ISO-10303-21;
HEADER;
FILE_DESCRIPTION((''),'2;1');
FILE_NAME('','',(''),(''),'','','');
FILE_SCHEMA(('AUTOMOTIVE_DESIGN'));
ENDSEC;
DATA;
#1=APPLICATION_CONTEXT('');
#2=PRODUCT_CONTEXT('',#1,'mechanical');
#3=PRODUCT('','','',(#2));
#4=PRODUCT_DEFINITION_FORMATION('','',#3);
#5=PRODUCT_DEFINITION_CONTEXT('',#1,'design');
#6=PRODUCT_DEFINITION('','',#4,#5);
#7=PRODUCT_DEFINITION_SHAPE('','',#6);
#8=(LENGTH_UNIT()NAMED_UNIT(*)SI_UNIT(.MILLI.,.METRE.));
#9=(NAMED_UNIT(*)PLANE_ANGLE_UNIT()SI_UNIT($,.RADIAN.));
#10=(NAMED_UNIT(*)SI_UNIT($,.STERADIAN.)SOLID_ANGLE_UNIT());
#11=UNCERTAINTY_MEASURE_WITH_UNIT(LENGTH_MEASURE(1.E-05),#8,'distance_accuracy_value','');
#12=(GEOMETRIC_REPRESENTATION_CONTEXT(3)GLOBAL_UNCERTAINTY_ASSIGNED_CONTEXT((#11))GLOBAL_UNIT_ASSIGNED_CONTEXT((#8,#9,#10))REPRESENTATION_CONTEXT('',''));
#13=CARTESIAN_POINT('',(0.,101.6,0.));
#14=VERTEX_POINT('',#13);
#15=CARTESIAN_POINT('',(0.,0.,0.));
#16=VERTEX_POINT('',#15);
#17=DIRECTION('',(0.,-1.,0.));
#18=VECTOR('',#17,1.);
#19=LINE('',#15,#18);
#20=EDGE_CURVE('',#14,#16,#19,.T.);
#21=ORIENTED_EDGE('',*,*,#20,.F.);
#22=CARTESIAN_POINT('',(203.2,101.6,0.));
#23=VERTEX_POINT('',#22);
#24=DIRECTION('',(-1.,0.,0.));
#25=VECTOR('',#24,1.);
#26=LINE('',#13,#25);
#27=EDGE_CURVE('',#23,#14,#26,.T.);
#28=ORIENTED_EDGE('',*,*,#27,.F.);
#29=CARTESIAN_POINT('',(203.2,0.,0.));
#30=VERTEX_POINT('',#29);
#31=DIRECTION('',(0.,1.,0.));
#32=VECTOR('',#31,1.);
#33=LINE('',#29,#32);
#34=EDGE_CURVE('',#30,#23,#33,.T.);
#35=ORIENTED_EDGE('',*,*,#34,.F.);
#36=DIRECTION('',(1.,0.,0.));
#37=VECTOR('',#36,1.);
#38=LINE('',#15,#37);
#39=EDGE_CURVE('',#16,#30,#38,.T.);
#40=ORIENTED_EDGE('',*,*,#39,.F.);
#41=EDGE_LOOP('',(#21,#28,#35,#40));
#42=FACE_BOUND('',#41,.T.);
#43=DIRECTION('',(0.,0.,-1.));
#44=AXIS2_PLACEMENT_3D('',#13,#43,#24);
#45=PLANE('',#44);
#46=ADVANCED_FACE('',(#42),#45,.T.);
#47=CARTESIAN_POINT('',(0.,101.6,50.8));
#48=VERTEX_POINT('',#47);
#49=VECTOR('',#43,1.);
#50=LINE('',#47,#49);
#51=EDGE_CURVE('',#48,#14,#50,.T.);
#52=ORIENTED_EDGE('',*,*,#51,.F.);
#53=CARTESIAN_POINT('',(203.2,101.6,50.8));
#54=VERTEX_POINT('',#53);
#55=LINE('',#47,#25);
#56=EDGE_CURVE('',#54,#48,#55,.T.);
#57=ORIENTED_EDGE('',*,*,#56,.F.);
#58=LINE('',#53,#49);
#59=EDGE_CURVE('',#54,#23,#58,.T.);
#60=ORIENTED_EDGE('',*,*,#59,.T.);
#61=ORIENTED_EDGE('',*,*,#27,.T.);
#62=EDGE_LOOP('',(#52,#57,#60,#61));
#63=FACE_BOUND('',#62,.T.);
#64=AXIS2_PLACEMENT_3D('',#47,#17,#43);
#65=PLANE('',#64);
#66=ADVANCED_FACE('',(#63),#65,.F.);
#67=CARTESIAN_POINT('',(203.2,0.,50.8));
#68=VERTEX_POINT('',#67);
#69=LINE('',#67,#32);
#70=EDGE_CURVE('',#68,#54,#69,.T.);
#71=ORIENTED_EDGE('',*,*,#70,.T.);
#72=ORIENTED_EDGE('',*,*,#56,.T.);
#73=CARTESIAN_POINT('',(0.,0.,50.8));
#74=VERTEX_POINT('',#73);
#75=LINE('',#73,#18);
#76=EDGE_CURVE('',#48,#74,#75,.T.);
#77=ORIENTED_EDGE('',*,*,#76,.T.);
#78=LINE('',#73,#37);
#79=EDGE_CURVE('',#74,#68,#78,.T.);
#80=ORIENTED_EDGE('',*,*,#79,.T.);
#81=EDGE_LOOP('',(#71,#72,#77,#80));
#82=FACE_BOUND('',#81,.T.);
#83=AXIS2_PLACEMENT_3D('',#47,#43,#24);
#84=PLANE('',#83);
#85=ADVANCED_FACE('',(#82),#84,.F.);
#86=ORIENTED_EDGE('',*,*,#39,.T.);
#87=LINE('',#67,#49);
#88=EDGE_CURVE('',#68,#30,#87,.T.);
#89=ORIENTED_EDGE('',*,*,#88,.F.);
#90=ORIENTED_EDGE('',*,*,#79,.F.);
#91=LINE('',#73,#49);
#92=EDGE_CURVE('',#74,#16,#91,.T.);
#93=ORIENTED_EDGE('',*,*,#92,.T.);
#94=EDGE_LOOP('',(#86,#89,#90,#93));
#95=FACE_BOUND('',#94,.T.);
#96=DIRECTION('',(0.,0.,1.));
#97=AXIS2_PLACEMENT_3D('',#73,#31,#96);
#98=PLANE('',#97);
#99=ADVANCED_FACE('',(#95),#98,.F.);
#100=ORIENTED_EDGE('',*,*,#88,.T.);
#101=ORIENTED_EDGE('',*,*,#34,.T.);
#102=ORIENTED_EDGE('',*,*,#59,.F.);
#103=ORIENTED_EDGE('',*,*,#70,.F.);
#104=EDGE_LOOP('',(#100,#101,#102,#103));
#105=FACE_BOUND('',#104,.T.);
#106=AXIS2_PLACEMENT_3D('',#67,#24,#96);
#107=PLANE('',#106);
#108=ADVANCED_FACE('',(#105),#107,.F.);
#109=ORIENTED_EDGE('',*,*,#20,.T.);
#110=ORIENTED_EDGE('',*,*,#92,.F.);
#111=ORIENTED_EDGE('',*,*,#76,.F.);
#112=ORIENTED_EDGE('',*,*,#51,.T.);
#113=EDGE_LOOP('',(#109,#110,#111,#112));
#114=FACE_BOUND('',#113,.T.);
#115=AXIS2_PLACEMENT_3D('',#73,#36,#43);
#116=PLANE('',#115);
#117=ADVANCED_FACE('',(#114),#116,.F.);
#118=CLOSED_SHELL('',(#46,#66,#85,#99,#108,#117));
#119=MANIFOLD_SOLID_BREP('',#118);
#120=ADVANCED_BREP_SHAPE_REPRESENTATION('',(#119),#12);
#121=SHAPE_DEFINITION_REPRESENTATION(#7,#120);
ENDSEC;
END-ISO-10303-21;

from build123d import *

# Parameters (mm, degrees)
SKETCH1_W      = 203.2
SKETCH1_H      = 101.6
EXTRUDE1_DEPTH = 50.8


with BuildPart() as part:
    # Sketch1 → Extrude1 (new body)
    with BuildSketch(Plane.XY):
        with Locations((101.6, 50.8)):
            Rectangle(SKETCH1_W, SKETCH1_H)
    extrude(amount=EXTRUDE1_DEPTH)


solid = part.part
